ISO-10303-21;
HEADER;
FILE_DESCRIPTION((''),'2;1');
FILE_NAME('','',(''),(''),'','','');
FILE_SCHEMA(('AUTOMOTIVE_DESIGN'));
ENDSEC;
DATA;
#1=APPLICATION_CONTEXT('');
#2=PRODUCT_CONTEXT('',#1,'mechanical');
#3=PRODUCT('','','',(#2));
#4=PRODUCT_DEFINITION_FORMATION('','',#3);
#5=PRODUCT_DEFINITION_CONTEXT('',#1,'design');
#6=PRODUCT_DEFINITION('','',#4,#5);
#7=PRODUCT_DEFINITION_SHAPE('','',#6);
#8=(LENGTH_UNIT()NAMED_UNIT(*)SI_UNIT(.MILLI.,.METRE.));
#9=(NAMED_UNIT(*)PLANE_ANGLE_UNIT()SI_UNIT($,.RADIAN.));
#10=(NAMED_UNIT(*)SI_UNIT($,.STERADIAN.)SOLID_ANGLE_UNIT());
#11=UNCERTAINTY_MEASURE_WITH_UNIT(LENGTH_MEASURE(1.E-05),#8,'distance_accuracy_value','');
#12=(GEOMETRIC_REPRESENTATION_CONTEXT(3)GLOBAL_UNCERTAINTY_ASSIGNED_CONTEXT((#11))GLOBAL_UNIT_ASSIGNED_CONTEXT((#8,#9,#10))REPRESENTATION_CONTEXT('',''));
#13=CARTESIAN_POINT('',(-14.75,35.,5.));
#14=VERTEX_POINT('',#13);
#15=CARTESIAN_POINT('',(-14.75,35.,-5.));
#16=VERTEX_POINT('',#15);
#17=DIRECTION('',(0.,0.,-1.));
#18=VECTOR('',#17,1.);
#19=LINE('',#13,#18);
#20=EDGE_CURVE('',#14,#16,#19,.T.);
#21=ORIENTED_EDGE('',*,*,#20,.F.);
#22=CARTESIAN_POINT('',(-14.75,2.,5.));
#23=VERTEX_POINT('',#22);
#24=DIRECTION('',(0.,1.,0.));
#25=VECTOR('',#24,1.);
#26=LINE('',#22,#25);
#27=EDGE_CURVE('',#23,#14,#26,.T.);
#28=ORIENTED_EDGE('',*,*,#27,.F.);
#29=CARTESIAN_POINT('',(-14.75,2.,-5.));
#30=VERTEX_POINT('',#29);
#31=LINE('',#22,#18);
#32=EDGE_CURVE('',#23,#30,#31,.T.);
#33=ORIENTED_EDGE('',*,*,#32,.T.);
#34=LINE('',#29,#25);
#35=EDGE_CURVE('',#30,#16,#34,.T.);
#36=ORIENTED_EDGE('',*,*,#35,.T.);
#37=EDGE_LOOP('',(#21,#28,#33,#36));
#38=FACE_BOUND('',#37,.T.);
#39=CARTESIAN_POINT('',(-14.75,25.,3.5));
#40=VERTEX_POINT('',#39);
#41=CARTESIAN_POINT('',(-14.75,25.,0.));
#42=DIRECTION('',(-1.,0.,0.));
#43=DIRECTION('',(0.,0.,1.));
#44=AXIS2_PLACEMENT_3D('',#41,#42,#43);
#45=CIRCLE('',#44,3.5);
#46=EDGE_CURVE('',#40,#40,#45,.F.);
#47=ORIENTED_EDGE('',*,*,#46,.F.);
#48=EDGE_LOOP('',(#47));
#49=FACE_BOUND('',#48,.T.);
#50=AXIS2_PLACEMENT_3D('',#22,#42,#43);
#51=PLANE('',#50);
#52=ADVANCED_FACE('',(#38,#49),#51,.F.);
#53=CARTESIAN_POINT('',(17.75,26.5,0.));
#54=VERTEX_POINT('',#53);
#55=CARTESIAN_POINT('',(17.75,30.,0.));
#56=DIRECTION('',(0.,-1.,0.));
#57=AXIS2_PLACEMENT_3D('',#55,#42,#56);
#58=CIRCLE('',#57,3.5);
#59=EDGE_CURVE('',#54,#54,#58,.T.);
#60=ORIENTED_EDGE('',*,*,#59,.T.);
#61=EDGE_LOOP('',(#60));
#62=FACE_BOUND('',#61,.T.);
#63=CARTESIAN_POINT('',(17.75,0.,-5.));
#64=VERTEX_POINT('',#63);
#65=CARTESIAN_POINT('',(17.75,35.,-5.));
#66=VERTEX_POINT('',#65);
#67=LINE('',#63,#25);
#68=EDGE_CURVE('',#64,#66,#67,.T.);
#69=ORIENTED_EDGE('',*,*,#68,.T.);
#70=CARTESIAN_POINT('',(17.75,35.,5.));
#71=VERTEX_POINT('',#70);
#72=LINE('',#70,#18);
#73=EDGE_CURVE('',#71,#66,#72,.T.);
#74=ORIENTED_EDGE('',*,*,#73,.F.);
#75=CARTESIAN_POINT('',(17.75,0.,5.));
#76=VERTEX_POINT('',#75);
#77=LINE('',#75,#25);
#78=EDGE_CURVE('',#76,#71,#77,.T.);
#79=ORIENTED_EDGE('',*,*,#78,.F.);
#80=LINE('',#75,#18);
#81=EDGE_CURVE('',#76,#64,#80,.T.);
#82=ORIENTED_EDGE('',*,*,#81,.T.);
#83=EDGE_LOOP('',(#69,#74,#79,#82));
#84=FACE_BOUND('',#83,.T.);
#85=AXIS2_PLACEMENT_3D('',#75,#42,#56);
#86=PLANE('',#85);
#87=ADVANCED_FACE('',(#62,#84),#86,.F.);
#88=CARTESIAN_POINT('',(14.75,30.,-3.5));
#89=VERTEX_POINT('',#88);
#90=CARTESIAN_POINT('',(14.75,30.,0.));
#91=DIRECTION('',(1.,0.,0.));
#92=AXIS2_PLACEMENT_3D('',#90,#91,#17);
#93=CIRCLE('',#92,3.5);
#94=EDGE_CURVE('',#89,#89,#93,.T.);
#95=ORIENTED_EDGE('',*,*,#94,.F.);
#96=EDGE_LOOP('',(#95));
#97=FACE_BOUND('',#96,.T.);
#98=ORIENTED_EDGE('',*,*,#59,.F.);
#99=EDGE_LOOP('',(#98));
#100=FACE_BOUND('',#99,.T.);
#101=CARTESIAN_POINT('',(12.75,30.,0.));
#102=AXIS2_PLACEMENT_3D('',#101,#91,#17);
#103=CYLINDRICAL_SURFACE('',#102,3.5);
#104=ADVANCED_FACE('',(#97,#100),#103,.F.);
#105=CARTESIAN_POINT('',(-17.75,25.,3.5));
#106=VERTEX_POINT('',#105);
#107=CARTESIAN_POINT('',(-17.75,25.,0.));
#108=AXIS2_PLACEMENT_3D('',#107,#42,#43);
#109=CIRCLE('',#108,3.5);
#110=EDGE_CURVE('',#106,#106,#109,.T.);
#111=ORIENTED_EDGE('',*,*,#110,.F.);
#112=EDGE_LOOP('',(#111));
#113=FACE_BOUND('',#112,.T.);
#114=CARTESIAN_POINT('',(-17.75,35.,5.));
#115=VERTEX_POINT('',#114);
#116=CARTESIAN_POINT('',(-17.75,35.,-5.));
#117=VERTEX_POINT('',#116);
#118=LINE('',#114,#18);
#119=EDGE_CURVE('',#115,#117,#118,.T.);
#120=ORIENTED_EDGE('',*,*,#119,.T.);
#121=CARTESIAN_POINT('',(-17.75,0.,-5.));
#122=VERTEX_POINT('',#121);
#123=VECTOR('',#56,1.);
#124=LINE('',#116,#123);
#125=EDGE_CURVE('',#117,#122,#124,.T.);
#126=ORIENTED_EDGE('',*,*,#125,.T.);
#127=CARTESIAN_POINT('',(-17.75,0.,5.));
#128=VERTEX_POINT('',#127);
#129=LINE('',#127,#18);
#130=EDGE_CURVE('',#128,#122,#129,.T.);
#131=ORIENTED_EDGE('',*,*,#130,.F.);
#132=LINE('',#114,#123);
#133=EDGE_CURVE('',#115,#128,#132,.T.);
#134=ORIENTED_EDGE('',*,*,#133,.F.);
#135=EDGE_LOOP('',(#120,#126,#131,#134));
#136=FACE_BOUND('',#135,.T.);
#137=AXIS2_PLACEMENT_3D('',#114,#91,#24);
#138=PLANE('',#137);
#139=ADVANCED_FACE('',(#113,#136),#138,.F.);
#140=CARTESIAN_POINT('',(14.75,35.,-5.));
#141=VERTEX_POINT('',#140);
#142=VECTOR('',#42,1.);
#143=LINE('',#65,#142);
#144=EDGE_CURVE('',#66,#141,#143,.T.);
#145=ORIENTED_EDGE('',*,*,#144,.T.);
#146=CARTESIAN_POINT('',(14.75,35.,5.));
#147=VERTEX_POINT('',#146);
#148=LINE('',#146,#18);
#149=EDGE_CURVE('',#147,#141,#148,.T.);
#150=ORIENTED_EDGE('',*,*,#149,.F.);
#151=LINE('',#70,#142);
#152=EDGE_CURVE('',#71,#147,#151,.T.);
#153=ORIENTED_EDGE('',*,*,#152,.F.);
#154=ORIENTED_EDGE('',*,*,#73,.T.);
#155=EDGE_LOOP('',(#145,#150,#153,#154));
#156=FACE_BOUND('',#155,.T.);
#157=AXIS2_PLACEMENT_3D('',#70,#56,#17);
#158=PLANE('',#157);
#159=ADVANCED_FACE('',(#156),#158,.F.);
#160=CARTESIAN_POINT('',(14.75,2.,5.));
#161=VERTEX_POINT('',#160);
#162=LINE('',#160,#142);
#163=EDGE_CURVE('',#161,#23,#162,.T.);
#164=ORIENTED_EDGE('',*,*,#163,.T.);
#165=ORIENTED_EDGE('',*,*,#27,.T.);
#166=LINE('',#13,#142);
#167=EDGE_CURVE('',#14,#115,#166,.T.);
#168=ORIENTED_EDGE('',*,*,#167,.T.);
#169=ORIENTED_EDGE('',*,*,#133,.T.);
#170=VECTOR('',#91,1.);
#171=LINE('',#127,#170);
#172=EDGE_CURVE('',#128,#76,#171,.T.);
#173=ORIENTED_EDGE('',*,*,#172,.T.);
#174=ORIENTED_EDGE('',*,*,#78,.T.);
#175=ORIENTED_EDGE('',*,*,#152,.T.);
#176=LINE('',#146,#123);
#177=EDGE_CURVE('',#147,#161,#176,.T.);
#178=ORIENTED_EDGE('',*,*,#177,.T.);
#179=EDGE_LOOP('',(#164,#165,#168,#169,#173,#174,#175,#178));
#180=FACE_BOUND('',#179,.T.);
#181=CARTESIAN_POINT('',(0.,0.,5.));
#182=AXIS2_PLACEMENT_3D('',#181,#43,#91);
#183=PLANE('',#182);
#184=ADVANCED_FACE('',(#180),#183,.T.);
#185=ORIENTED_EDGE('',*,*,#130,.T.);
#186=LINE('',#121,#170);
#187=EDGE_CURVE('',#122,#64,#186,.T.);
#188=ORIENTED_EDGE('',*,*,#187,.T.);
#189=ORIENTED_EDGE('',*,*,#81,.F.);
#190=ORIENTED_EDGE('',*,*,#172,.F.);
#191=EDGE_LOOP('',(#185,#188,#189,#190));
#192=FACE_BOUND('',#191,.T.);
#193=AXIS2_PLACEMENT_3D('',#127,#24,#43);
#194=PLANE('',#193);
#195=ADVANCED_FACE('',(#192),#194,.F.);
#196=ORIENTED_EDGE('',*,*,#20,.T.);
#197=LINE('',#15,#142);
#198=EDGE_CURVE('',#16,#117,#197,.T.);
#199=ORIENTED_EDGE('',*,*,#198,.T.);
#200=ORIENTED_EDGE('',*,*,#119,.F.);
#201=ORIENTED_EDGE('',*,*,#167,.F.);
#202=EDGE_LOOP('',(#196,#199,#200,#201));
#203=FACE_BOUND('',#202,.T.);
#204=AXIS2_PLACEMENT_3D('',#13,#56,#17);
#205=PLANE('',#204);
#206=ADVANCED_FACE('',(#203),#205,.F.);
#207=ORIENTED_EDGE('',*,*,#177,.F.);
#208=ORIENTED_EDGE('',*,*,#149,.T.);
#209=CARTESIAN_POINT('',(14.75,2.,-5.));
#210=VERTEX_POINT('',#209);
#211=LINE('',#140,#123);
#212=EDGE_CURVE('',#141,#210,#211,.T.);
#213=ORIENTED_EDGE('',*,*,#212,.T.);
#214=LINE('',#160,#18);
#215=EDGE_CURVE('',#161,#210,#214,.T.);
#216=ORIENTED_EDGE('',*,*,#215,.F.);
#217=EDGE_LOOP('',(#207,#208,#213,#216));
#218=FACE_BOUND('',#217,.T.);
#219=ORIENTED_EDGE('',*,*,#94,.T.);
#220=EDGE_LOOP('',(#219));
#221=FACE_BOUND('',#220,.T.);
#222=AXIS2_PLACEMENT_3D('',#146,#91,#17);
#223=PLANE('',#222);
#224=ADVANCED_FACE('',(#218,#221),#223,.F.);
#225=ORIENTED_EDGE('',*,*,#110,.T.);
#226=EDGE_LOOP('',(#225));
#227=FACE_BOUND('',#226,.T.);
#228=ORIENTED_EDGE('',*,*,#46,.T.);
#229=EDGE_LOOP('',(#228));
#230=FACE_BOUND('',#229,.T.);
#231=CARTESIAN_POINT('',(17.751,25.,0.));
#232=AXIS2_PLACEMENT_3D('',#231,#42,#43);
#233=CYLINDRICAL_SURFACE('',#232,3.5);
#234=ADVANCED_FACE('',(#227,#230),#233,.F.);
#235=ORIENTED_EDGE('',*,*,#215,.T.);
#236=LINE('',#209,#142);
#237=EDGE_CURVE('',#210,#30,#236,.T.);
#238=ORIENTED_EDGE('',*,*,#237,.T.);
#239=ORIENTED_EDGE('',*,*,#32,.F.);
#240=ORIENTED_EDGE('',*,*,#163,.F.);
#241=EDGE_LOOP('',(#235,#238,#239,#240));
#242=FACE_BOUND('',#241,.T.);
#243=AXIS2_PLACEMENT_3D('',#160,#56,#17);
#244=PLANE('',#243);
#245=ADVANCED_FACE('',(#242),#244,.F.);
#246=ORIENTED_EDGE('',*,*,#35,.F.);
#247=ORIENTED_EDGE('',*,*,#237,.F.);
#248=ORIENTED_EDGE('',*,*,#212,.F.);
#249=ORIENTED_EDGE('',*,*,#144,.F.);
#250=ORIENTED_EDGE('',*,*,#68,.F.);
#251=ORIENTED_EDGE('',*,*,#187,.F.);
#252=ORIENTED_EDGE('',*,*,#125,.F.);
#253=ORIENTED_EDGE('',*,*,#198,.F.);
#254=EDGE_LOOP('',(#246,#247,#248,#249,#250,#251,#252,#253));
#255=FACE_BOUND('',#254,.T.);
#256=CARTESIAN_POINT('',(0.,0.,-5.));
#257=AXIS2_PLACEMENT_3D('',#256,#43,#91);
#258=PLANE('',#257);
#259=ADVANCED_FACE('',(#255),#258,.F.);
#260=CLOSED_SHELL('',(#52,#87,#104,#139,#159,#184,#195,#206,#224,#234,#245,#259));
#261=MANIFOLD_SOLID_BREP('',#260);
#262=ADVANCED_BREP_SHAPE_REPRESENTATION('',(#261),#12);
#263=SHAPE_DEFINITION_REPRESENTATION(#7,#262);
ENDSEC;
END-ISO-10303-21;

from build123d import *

# Parameters (mm, degrees)
BOSS_EXTRUDE1_DEPTH = 5
SKETCH2_R           = 3.5
CUT_EXTRUDE1_DEPTH  = 5
CUT_EXTRUDE2_REACH  = 52.102
SKETCH3_R           = 3.5


with BuildPart() as part:
    # Sketch1 → Boss-Extrude1 (new, symmetric)
    with BuildSketch(Plane.XY):
        Polygon((14.75, 2), (-14.75, 2), (-14.75, 35), (-17.75, 35), (-17.75, 0), (17.75, 0), (17.75, 35), (14.75, 35), align=None)
    extrude(amount=BOSS_EXTRUDE1_DEPTH, both=True)

    # Sketch2 → Cut-Extrude1 (cut, symmetric)
    with BuildSketch(Plane(origin=(17.75, 0, 0), x_dir=(0, 0, -1), z_dir=(1, 0, 0))):
        with Locations((0, 30)):
            Circle(SKETCH2_R)
    extrude(amount=CUT_EXTRUDE1_DEPTH, both=True, mode=Mode.SUBTRACT)

    # Sketch3 → Cut-Extrude2 (cut, up to next)
    with BuildSketch(Plane.ZY.offset(17.75), mode=Mode.PRIVATE) as cut_extrude2_sk1:
        with Locations((0, 25)):
            Circle(SKETCH3_R)
    cut_extrude2_tool1 = extrude(cut_extrude2_sk1.sketch, amount=-CUT_EXTRUDE2_REACH, mode=Mode.PRIVATE) & part.part
    add(cut_extrude2_tool1.solids().sort_by_distance((-17.75, 25, 0))[0], mode=Mode.SUBTRACT)


solid = part.part
